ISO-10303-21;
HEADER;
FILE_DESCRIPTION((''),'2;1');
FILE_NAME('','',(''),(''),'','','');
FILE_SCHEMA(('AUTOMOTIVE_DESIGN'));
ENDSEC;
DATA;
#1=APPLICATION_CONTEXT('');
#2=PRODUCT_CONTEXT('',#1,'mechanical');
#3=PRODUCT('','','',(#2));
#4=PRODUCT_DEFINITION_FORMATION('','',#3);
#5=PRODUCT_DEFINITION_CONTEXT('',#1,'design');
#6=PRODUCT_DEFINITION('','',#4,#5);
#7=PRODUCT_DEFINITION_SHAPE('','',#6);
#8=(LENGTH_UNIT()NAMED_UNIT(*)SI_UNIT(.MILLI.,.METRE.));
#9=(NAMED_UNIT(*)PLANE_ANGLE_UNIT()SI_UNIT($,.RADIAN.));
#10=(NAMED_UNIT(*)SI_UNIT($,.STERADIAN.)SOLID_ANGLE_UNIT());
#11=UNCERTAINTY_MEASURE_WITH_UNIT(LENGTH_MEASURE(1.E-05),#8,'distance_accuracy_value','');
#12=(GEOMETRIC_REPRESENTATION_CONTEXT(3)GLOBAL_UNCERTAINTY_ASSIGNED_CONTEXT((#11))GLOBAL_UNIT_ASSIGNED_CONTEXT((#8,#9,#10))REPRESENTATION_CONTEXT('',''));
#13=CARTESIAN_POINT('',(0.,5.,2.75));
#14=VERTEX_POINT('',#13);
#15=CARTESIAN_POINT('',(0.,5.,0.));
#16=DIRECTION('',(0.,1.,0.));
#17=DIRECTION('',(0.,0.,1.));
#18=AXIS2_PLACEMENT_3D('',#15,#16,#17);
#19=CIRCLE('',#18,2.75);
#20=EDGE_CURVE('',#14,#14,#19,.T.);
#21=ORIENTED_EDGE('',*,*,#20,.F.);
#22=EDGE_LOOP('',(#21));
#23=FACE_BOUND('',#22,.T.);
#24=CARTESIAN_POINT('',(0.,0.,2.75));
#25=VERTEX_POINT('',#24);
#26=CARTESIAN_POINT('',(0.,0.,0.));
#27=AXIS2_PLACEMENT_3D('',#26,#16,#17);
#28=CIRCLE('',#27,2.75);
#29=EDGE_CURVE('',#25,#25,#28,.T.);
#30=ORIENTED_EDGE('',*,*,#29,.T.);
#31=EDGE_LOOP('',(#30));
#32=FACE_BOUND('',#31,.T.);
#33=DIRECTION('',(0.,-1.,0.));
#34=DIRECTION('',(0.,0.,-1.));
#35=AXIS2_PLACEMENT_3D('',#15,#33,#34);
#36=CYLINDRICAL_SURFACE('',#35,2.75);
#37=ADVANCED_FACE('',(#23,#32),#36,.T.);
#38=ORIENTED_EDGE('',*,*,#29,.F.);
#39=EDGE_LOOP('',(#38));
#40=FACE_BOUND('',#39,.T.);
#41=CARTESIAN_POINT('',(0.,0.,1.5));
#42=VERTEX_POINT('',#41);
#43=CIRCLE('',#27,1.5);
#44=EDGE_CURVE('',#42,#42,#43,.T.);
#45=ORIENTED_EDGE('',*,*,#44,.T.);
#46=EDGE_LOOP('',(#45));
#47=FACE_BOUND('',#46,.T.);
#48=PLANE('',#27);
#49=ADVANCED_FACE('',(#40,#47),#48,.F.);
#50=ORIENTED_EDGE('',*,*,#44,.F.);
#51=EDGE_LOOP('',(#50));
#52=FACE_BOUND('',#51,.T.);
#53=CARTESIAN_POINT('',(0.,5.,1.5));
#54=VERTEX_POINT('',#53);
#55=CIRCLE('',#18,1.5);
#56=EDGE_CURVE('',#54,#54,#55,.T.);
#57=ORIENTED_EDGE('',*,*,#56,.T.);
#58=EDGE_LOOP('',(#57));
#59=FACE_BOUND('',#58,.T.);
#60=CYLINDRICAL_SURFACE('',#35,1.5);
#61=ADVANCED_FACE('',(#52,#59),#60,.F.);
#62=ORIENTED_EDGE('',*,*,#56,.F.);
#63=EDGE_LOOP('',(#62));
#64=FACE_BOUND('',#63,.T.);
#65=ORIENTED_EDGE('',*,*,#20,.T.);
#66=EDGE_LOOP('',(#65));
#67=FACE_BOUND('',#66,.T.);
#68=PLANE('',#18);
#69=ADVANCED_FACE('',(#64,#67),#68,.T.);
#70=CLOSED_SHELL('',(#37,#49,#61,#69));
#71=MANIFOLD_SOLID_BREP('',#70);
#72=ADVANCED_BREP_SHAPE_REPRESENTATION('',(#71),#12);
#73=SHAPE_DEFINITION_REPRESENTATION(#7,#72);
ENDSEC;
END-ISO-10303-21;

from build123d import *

# Parameters (mm, degrees)
SKETCH_1_R      = 2.75
SKETCH_1_R_2    = 1.5
EXTRUDE_1_DEPTH = 5


with BuildPart() as part:
    # Эскиз1 → Бобышка-Вытянуть1 (new body)
    with BuildSketch(Plane(origin=(0, 0, 0), x_dir=(1, 0, 0), z_dir=(0, 1, 0))):
        Circle(SKETCH_1_R)
        Circle(SKETCH_1_R_2, mode=Mode.SUBTRACT)
    extrude(amount=EXTRUDE_1_DEPTH)


solid = part.part
